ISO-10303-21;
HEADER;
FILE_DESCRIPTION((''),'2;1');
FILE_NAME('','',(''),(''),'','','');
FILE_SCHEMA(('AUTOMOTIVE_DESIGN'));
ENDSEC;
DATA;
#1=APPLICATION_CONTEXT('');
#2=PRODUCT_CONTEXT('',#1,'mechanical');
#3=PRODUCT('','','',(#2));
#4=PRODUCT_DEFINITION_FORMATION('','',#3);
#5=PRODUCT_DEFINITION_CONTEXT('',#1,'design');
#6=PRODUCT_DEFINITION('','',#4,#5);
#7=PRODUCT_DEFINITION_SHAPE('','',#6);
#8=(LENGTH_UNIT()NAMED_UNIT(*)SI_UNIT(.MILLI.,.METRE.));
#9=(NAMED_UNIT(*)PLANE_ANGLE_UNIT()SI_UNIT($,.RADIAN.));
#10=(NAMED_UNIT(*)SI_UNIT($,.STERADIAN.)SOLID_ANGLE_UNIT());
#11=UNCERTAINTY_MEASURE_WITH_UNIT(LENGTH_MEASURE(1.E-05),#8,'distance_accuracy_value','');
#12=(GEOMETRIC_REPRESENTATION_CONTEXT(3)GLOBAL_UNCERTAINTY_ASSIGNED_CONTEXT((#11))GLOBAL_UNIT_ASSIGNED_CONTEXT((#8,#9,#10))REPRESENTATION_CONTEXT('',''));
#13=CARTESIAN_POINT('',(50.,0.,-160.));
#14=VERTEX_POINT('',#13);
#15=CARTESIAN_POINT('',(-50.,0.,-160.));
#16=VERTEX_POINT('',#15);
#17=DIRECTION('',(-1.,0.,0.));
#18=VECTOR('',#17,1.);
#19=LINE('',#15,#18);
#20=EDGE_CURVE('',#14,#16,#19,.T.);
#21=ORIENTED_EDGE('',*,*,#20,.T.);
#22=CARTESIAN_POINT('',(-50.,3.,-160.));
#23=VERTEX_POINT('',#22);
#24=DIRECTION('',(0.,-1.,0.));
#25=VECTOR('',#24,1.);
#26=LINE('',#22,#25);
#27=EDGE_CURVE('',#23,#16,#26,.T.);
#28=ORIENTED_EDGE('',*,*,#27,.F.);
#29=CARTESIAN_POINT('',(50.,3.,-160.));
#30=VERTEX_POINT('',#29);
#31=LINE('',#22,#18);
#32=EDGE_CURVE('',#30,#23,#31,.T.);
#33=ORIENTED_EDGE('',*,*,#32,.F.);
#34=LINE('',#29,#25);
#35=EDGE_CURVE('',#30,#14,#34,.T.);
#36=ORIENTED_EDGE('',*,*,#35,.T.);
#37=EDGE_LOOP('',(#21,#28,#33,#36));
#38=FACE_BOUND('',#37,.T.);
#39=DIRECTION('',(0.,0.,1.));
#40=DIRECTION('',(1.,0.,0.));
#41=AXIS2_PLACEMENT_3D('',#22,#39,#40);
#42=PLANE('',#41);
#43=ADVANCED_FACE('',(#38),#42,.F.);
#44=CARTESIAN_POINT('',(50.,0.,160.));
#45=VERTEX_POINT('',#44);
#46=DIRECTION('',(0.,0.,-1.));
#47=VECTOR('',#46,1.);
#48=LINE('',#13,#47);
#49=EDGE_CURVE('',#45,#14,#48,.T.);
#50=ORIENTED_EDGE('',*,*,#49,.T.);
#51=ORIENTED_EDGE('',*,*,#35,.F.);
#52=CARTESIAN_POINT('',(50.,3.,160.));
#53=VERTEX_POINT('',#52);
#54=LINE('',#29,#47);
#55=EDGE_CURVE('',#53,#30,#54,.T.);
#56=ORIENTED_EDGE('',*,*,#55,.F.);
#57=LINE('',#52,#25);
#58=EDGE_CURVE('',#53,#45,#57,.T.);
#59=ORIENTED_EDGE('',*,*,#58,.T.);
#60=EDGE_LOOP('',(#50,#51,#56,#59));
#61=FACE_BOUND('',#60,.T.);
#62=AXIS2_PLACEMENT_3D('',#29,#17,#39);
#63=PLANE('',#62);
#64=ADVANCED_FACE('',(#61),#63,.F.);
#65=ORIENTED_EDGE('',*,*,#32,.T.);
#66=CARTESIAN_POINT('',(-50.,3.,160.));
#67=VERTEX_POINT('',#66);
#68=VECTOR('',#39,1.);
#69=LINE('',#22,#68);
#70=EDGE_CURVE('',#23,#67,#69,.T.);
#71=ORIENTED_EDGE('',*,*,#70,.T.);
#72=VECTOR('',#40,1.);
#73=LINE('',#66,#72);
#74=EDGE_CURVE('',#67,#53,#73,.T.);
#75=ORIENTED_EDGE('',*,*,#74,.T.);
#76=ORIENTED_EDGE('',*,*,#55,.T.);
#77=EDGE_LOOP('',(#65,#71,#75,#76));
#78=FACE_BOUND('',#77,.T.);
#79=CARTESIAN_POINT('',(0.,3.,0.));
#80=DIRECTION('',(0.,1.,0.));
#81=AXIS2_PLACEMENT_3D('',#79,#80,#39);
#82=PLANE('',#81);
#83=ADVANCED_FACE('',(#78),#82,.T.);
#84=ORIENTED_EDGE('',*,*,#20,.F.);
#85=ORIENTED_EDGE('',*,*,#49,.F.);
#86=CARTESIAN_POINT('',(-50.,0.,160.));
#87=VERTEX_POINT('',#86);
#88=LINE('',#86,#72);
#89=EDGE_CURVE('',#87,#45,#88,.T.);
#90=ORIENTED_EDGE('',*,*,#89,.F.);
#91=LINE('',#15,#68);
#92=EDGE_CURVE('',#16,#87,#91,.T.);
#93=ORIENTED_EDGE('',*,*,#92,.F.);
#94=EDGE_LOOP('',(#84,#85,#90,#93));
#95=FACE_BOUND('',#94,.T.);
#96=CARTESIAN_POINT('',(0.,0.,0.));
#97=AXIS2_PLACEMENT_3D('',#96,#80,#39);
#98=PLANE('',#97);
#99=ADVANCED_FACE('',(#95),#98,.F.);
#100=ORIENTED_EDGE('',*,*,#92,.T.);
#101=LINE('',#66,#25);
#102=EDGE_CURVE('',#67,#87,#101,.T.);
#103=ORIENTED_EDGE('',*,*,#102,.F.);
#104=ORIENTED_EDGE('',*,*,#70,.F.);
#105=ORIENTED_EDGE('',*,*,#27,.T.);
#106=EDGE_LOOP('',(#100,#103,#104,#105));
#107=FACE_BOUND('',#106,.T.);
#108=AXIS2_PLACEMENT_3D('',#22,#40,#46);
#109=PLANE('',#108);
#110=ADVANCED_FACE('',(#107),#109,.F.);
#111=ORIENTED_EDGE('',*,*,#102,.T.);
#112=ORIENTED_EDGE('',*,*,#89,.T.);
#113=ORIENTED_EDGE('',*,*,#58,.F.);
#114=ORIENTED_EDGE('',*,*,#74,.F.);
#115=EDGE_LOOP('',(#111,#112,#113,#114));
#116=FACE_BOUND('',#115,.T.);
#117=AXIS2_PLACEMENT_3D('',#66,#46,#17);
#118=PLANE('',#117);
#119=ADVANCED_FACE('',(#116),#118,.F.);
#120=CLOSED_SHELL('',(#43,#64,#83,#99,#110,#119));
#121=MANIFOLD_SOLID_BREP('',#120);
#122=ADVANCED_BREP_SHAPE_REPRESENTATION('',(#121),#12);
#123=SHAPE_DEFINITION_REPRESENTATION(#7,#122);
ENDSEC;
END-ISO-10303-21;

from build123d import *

# Parameters (mm, degrees)
SKETCH1_W   = 100
SKETCH1_H   = 320
SIDES_DEPTH = 3


with BuildPart() as part:
    # Sketch1 → Sides (new body)
    with BuildSketch(Plane(origin=(0, 0, 0), x_dir=(1, 0, 0), z_dir=(0, 1, 0))):
        Rectangle(SKETCH1_W, SKETCH1_H)
    extrude(amount=SIDES_DEPTH)


solid = part.part
